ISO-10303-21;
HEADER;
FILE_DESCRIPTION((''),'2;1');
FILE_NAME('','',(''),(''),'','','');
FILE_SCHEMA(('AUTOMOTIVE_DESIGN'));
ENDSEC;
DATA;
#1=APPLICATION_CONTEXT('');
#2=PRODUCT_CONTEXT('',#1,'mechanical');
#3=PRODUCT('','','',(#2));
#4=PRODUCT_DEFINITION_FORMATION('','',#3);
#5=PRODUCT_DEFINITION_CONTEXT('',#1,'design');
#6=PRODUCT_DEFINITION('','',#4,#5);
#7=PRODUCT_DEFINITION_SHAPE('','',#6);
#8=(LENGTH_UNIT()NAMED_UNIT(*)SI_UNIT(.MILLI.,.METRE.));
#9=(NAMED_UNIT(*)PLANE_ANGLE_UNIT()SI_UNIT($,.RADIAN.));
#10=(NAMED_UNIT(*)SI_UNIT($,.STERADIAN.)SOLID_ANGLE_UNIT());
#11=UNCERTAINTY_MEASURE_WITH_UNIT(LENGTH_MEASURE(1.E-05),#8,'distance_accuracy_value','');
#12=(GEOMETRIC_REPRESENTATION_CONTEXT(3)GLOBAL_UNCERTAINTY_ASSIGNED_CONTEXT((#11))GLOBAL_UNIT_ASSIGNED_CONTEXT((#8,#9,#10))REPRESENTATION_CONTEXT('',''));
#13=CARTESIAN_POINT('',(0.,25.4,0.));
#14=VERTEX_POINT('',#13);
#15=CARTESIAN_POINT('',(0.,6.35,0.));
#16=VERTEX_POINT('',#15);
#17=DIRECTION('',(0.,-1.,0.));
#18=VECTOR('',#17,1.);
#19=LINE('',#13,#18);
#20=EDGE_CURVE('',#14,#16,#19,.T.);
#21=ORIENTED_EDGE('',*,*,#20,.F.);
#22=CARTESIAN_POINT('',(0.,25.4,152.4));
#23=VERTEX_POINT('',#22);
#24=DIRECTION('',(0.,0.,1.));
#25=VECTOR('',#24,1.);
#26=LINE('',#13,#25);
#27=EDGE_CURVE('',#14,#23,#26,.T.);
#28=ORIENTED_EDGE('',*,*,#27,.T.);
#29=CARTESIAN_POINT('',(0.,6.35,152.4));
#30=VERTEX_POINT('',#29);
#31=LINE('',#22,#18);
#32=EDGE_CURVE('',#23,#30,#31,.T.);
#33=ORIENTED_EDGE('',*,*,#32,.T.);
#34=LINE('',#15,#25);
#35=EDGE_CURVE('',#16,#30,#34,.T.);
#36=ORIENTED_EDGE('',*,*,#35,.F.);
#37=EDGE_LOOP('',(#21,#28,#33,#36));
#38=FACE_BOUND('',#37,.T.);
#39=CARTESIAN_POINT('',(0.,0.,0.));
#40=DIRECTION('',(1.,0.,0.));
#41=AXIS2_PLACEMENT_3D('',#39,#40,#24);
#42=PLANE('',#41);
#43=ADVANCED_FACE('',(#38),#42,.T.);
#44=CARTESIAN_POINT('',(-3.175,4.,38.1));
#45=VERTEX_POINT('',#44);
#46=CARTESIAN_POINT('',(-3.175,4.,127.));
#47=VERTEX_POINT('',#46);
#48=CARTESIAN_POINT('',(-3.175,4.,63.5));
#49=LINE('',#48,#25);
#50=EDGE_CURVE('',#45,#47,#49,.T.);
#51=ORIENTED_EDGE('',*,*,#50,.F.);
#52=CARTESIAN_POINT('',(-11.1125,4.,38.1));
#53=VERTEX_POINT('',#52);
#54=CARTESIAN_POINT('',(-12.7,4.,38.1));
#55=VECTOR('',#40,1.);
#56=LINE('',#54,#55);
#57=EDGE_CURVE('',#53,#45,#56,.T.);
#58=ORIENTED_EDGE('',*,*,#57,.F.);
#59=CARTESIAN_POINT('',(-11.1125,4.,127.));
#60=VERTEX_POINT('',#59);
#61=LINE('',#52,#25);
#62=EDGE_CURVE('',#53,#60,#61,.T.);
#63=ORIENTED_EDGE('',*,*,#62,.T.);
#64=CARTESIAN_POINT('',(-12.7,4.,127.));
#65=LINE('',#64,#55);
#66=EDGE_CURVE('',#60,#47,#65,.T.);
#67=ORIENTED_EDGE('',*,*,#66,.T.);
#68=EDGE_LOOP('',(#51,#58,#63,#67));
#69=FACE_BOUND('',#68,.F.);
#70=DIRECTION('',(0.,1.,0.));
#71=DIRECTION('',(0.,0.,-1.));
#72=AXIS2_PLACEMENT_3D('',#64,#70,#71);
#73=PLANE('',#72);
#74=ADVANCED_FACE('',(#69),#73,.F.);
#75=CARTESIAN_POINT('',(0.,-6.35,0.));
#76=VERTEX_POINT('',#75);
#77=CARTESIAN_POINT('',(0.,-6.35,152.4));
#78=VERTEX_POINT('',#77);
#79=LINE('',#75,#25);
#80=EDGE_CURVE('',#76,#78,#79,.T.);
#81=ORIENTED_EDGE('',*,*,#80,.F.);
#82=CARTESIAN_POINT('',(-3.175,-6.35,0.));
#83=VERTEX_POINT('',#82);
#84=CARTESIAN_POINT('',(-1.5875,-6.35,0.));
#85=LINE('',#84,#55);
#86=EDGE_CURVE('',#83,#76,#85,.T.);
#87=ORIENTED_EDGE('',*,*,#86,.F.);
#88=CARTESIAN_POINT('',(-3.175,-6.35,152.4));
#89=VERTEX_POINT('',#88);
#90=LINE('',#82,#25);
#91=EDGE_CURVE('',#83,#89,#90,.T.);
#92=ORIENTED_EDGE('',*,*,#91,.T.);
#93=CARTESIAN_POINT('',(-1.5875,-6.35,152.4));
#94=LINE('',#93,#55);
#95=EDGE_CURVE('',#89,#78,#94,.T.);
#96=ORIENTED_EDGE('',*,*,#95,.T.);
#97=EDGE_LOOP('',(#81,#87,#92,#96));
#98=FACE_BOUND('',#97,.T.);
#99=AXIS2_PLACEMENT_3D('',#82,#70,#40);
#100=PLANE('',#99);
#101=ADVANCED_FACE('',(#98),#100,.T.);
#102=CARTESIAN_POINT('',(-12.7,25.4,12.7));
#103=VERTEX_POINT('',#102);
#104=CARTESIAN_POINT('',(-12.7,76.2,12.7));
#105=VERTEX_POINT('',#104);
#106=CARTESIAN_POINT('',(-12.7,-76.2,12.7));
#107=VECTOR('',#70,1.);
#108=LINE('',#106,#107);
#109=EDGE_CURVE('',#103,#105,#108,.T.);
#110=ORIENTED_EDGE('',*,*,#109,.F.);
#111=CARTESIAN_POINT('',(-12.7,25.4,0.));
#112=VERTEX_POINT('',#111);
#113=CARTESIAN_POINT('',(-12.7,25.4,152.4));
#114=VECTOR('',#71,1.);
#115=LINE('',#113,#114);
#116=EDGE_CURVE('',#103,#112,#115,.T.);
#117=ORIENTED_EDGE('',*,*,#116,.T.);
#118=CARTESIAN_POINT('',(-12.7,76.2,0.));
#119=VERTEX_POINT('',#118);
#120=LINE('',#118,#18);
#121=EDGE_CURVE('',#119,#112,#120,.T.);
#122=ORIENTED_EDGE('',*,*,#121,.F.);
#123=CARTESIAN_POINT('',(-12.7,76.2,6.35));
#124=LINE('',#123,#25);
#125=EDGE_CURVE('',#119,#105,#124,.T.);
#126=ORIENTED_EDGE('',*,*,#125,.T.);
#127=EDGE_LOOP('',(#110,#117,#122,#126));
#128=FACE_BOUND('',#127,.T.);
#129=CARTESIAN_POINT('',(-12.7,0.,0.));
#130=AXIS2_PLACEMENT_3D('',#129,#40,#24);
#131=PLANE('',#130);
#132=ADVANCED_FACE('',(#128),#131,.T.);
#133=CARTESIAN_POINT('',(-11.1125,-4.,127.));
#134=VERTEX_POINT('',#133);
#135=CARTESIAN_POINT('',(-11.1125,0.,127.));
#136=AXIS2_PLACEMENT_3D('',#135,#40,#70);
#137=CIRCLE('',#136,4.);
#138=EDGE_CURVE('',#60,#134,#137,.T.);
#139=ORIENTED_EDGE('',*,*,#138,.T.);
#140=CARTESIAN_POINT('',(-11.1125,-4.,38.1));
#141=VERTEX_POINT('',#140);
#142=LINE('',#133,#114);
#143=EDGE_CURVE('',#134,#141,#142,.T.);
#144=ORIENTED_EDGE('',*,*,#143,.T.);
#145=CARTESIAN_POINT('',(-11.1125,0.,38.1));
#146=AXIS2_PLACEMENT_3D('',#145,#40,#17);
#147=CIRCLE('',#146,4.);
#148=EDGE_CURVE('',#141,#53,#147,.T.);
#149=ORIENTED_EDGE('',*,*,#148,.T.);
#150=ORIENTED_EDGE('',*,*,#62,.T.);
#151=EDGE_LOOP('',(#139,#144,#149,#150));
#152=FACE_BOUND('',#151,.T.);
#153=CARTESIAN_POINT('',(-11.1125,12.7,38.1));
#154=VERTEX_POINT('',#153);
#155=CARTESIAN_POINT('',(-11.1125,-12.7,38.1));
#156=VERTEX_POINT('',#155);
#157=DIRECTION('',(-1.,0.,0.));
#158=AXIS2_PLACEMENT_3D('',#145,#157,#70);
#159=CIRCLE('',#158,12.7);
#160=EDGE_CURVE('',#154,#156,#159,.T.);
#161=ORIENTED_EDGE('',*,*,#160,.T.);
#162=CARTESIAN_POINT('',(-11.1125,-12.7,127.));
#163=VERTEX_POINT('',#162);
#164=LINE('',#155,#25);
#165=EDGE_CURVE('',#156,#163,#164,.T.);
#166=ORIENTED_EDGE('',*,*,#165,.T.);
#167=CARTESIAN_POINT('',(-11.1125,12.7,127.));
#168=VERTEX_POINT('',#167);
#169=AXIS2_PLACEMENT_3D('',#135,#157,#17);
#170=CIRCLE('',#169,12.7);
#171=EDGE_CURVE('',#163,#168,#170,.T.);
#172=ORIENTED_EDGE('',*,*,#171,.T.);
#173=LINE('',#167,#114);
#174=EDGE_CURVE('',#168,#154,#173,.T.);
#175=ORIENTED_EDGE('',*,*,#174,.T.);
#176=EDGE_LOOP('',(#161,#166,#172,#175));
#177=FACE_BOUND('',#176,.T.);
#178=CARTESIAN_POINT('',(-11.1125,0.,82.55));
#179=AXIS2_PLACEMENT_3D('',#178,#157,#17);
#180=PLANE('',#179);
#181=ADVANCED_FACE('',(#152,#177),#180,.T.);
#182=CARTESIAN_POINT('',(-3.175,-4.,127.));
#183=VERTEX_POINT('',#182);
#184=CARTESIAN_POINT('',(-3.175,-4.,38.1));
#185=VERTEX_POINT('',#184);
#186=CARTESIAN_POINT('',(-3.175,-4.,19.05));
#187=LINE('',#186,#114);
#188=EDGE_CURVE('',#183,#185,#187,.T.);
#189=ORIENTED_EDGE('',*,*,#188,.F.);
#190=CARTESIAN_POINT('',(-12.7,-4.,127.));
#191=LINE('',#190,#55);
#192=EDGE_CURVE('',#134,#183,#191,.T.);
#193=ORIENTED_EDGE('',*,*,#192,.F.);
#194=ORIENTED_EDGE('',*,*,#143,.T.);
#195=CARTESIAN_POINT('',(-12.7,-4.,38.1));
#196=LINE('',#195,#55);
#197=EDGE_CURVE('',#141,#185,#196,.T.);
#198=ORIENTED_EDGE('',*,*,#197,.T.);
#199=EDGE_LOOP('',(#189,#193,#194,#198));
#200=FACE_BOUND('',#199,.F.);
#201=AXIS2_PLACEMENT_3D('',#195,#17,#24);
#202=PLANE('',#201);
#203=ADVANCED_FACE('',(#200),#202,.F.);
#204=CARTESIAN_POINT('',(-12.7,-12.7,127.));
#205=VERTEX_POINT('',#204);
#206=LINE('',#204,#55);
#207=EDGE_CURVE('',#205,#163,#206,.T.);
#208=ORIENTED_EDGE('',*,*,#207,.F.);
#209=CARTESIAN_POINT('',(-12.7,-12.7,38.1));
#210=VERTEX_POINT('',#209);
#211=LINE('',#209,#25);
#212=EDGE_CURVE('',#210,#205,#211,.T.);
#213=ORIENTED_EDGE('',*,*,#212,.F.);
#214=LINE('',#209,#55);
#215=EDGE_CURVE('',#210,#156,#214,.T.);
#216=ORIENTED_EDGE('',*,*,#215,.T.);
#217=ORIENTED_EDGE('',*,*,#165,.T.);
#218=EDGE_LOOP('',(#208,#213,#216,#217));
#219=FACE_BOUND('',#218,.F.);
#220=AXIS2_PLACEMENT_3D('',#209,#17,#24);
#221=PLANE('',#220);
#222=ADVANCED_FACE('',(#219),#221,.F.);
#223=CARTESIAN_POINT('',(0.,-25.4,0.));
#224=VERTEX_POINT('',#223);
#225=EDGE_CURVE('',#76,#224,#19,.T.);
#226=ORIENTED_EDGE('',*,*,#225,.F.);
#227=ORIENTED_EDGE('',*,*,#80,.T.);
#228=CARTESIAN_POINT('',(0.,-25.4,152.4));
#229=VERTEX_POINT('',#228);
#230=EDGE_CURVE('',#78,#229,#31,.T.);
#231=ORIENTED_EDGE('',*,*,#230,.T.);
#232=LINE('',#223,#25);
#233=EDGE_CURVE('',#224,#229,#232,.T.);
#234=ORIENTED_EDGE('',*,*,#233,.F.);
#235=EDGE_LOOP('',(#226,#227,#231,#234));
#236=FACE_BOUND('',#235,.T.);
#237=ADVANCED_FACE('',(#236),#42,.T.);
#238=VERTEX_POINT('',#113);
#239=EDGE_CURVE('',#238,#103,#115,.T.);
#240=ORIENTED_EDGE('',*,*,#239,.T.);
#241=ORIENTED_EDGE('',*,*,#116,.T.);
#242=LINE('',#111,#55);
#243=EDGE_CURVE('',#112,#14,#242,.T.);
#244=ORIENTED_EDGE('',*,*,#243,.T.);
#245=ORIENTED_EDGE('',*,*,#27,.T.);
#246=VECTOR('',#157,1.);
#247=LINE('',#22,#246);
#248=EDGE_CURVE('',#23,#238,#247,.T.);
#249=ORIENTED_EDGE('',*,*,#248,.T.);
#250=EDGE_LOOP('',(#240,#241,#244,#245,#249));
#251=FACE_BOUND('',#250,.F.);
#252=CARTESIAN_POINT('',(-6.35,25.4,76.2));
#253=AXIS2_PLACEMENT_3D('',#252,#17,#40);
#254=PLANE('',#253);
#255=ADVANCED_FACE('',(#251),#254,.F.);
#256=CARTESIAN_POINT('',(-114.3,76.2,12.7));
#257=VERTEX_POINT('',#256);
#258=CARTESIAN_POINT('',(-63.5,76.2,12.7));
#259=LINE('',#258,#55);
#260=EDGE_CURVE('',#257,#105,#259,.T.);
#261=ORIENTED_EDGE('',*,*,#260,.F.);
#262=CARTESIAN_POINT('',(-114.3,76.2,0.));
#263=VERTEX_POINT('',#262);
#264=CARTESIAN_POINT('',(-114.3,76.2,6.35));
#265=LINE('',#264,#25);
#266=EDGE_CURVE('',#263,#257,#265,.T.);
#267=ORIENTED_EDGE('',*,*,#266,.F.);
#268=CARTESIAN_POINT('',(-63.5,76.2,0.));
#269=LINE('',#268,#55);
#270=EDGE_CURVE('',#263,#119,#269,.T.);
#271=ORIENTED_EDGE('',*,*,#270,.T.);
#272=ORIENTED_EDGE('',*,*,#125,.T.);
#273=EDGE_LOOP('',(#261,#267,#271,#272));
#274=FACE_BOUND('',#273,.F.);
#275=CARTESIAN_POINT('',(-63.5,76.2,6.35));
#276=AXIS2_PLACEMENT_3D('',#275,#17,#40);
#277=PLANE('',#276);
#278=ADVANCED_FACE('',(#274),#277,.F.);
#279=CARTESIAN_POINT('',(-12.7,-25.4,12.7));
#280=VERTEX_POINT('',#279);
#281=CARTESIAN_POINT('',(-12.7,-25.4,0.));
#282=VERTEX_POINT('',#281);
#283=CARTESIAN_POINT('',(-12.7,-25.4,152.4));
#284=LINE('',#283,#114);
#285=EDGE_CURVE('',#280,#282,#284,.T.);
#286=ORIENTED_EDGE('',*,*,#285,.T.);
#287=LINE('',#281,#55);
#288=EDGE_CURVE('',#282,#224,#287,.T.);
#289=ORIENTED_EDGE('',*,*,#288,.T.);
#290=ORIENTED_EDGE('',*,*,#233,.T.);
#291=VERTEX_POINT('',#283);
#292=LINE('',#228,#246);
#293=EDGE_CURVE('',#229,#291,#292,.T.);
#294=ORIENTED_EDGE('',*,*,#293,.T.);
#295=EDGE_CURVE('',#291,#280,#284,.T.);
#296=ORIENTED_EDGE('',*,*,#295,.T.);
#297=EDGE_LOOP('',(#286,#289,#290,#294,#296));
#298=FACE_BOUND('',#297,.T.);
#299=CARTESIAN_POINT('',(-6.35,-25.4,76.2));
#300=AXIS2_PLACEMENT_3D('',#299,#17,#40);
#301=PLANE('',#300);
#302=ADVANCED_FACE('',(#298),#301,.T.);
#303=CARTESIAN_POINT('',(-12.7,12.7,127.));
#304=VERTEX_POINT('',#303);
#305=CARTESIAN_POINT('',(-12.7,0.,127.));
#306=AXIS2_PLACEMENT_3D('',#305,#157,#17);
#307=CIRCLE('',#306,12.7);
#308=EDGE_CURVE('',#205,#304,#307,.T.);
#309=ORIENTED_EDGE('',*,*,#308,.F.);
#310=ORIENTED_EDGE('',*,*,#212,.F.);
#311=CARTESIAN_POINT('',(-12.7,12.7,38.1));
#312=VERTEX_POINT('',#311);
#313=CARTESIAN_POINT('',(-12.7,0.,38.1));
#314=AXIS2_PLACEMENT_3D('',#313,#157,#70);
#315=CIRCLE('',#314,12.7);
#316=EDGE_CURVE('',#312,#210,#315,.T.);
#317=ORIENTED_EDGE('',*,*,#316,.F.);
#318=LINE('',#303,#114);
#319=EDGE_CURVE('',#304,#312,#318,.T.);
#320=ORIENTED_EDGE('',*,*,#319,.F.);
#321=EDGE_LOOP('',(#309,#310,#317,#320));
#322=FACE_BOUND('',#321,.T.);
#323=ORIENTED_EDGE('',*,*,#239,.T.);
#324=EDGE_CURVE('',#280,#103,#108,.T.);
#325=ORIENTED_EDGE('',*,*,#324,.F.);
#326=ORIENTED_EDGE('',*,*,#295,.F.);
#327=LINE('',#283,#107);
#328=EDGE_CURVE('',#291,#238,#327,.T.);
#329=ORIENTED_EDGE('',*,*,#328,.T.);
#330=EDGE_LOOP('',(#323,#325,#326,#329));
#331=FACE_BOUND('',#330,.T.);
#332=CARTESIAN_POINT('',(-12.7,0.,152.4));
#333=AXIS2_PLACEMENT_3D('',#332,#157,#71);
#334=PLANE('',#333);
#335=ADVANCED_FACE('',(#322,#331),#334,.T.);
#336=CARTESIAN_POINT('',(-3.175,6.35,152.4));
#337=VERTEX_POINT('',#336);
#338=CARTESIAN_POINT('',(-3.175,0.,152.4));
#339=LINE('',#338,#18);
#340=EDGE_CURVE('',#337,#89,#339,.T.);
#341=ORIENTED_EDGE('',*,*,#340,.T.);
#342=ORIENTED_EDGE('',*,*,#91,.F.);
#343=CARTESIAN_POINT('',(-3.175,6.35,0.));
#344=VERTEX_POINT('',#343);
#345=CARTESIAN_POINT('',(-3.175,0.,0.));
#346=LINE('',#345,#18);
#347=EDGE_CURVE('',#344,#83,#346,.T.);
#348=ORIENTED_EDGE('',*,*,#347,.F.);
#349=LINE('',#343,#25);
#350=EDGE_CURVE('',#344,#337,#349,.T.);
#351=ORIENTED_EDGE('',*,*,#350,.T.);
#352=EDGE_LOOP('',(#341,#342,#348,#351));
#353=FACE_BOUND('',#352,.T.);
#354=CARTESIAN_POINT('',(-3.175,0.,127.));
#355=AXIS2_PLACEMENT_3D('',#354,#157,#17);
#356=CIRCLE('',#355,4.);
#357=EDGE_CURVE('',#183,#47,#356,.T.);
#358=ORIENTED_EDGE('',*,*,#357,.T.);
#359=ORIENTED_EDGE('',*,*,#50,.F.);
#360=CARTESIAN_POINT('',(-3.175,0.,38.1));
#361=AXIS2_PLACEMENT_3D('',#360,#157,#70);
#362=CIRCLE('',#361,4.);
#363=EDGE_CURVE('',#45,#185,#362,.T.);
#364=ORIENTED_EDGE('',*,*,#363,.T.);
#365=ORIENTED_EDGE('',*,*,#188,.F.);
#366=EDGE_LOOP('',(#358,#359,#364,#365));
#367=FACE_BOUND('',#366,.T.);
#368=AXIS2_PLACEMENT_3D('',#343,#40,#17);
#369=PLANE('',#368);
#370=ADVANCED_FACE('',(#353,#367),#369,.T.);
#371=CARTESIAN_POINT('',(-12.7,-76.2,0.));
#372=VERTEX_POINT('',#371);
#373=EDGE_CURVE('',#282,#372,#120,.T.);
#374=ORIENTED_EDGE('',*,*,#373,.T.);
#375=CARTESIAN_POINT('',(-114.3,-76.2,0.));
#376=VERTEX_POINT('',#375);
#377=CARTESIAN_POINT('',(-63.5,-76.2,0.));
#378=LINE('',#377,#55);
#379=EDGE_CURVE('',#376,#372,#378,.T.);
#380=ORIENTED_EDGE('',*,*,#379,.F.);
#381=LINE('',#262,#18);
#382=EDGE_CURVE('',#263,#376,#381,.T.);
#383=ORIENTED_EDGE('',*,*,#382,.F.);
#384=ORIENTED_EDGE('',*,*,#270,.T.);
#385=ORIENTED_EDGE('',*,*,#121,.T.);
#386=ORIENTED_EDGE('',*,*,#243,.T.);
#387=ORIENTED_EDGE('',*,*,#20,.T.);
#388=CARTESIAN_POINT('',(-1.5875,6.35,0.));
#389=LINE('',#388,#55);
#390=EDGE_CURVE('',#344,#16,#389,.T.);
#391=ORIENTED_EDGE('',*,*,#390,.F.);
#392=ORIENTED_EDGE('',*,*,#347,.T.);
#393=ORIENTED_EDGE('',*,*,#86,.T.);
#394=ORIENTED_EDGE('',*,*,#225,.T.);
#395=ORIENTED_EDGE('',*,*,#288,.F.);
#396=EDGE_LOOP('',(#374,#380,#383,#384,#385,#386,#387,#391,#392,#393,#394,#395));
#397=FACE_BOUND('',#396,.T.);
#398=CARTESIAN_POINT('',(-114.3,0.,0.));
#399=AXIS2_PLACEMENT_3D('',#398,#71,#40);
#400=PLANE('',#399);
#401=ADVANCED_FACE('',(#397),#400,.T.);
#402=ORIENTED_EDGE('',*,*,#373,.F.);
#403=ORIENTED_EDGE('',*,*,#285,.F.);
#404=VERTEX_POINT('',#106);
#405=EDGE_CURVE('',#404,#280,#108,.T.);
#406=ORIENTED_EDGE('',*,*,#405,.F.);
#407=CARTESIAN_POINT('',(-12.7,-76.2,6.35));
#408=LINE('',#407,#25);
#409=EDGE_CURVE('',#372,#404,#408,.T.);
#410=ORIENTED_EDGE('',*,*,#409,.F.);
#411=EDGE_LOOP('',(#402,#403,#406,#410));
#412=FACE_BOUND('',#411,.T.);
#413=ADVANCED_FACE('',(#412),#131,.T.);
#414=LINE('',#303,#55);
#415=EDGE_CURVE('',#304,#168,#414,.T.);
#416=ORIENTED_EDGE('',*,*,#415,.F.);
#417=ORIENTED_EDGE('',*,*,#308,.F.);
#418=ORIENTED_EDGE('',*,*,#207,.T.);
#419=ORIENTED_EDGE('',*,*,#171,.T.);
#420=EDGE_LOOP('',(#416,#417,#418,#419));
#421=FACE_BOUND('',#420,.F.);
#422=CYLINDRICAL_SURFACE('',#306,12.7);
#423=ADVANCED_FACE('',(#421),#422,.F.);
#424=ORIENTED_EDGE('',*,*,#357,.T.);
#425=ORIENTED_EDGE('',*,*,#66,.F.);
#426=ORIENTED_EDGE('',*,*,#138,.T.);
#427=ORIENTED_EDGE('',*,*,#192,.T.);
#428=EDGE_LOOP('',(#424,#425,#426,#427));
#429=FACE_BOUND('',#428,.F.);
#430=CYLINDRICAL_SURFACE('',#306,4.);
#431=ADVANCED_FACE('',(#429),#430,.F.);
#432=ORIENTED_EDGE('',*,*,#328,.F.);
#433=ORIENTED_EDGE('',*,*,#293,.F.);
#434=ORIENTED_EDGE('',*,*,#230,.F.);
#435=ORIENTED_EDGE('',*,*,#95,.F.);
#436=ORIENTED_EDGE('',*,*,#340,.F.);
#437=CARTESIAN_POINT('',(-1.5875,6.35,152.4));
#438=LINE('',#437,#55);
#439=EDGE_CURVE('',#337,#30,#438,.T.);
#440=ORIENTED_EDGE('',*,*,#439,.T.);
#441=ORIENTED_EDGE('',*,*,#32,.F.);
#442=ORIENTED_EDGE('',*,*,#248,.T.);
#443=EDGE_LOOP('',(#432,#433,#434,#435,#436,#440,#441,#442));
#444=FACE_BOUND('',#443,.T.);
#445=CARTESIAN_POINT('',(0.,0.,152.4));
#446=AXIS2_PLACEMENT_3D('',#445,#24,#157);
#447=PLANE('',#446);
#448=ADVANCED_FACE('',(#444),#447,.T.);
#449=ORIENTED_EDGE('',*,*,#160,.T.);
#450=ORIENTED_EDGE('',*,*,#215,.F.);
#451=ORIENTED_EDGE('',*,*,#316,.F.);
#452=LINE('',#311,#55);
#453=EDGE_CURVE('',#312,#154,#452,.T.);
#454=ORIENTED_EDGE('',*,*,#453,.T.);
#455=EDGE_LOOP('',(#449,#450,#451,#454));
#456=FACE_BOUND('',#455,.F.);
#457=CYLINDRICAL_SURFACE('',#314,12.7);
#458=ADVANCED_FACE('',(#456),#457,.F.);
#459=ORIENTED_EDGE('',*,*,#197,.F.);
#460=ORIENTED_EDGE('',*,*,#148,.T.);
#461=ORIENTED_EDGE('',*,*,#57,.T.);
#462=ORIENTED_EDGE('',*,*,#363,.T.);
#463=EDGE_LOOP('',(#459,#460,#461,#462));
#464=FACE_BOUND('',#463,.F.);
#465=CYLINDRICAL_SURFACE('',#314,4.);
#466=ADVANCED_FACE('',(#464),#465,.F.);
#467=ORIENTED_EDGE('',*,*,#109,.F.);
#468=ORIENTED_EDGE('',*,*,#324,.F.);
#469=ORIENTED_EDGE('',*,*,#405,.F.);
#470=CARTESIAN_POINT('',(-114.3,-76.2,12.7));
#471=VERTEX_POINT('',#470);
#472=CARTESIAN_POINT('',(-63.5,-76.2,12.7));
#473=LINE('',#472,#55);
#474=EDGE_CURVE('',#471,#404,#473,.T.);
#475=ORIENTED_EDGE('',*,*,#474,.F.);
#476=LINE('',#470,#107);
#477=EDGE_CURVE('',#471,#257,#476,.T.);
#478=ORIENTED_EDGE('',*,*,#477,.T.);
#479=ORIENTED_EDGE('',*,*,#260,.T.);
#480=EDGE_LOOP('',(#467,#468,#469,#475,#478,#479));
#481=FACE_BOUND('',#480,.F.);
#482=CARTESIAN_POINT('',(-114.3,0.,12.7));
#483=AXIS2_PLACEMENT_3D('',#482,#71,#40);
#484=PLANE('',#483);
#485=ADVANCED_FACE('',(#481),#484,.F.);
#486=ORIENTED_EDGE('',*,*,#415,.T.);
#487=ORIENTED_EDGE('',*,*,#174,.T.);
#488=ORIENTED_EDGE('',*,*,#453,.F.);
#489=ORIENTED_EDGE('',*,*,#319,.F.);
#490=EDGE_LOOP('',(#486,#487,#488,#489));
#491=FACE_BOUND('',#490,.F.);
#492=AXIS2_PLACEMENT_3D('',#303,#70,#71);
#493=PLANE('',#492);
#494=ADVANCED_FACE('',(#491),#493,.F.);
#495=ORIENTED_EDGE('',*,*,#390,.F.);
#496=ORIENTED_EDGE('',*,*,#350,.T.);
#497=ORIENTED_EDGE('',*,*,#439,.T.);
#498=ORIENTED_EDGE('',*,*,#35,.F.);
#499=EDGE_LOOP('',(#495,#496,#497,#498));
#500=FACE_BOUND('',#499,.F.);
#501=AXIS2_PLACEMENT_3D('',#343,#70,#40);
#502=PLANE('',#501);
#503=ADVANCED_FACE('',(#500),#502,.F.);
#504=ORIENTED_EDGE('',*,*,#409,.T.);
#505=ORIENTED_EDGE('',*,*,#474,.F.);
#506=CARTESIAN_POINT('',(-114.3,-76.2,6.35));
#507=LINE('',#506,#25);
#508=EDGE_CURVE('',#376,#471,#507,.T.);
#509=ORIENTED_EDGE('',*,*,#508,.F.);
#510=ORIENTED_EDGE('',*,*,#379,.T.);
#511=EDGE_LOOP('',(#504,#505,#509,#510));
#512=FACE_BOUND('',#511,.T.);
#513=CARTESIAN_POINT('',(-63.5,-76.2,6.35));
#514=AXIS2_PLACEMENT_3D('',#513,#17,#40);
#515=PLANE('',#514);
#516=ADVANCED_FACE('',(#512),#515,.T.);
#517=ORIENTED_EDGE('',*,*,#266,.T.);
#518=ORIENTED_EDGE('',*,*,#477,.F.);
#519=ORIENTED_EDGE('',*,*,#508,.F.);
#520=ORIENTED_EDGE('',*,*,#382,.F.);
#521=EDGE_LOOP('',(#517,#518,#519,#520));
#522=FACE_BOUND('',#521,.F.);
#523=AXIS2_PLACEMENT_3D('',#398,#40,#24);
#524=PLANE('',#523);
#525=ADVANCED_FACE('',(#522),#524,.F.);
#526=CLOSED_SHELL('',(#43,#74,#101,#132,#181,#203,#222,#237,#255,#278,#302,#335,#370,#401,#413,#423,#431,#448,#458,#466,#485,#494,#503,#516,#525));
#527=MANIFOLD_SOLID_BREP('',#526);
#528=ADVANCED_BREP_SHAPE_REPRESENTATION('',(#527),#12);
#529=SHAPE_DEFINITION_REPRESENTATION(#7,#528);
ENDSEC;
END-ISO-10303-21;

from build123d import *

# Parameters (mm, degrees)
F1_DEPTH = 25.4
F0_W     = 101.6
F0_H     = 12.7
F2_DEPTH = 76.2
F3_W     = 3.175
F3_H     = 12.7
F4_DEPTH = 152.4
F6_DEPTH = 12.701
F7_DEPTH = 1.5875


with BuildPart() as f1:
    # F0 (on Front) → F1 (new body, symmetric)
    with BuildSketch(Plane.XZ):
        Polygon((-12.7, 0), (0, 0), (0, 152.4), (-12.7, 152.4), (-12.7, 12.7), align=None)
    extrude(amount=F1_DEPTH, both=True)

    # F0 (on Front) → F2 (join, symmetric)
    with BuildSketch(Plane.XZ):
        with Locations((-63.5, 6.35)):
            Rectangle(F0_W, F0_H)
    extrude(amount=F2_DEPTH, both=True)

    # F3 (on face) → F4 (cut, through all)
    with BuildSketch(Plane(origin=(0, 0, 0), x_dir=(1, 0, 0), z_dir=(0, 0, -1))):
        with Locations((-1.5875, 0)):
            Rectangle(F3_W, F3_H)
    extrude(amount=-F4_DEPTH, mode=Mode.SUBTRACT)

    # F5 (on face) → F6 (cut, through all)
    with BuildSketch(Plane(origin=(-12.7, 0, 0), x_dir=(0, -1, 0), z_dir=(-1, 0, 0))):
        with BuildLine():
            ThreePointArc((-4, 38.1), (0, 34.1), (4, 38.1))
            Line((4, 38.1), (4, 127))
            ThreePointArc((4, 127), (0, 131), (-4, 127))
            Line((-4, 127), (-4, 38.1))
        make_face()
    extrude(amount=-F6_DEPTH, mode=Mode.SUBTRACT)

    # F5 (on face) → F7 (cut)
    with BuildSketch(Plane(origin=(-12.7, 0, 0), x_dir=(0, -1, 0), z_dir=(-1, 0, 0))):
        with BuildLine():
            ThreePointArc((-12.7, 38.1), (0, 25.4), (12.7, 38.1))
            Line((12.7, 38.1), (12.7, 127))
            ThreePointArc((12.7, 127), (0, 139.7), (-12.7, 127))
            Line((-12.7, 127), (-12.7, 38.1))
        make_face()
        with BuildLine():
            Line((4, 127), (4, 38.1))
            ThreePointArc((4, 38.1), (0, 34.1), (-4, 38.1))
            Line((-4, 38.1), (-4, 127))
            ThreePointArc((-4, 127), (0, 131), (4, 127))
        make_face(mode=Mode.SUBTRACT)
    extrude(amount=-F7_DEPTH, mode=Mode.SUBTRACT)


solid = f1.part
